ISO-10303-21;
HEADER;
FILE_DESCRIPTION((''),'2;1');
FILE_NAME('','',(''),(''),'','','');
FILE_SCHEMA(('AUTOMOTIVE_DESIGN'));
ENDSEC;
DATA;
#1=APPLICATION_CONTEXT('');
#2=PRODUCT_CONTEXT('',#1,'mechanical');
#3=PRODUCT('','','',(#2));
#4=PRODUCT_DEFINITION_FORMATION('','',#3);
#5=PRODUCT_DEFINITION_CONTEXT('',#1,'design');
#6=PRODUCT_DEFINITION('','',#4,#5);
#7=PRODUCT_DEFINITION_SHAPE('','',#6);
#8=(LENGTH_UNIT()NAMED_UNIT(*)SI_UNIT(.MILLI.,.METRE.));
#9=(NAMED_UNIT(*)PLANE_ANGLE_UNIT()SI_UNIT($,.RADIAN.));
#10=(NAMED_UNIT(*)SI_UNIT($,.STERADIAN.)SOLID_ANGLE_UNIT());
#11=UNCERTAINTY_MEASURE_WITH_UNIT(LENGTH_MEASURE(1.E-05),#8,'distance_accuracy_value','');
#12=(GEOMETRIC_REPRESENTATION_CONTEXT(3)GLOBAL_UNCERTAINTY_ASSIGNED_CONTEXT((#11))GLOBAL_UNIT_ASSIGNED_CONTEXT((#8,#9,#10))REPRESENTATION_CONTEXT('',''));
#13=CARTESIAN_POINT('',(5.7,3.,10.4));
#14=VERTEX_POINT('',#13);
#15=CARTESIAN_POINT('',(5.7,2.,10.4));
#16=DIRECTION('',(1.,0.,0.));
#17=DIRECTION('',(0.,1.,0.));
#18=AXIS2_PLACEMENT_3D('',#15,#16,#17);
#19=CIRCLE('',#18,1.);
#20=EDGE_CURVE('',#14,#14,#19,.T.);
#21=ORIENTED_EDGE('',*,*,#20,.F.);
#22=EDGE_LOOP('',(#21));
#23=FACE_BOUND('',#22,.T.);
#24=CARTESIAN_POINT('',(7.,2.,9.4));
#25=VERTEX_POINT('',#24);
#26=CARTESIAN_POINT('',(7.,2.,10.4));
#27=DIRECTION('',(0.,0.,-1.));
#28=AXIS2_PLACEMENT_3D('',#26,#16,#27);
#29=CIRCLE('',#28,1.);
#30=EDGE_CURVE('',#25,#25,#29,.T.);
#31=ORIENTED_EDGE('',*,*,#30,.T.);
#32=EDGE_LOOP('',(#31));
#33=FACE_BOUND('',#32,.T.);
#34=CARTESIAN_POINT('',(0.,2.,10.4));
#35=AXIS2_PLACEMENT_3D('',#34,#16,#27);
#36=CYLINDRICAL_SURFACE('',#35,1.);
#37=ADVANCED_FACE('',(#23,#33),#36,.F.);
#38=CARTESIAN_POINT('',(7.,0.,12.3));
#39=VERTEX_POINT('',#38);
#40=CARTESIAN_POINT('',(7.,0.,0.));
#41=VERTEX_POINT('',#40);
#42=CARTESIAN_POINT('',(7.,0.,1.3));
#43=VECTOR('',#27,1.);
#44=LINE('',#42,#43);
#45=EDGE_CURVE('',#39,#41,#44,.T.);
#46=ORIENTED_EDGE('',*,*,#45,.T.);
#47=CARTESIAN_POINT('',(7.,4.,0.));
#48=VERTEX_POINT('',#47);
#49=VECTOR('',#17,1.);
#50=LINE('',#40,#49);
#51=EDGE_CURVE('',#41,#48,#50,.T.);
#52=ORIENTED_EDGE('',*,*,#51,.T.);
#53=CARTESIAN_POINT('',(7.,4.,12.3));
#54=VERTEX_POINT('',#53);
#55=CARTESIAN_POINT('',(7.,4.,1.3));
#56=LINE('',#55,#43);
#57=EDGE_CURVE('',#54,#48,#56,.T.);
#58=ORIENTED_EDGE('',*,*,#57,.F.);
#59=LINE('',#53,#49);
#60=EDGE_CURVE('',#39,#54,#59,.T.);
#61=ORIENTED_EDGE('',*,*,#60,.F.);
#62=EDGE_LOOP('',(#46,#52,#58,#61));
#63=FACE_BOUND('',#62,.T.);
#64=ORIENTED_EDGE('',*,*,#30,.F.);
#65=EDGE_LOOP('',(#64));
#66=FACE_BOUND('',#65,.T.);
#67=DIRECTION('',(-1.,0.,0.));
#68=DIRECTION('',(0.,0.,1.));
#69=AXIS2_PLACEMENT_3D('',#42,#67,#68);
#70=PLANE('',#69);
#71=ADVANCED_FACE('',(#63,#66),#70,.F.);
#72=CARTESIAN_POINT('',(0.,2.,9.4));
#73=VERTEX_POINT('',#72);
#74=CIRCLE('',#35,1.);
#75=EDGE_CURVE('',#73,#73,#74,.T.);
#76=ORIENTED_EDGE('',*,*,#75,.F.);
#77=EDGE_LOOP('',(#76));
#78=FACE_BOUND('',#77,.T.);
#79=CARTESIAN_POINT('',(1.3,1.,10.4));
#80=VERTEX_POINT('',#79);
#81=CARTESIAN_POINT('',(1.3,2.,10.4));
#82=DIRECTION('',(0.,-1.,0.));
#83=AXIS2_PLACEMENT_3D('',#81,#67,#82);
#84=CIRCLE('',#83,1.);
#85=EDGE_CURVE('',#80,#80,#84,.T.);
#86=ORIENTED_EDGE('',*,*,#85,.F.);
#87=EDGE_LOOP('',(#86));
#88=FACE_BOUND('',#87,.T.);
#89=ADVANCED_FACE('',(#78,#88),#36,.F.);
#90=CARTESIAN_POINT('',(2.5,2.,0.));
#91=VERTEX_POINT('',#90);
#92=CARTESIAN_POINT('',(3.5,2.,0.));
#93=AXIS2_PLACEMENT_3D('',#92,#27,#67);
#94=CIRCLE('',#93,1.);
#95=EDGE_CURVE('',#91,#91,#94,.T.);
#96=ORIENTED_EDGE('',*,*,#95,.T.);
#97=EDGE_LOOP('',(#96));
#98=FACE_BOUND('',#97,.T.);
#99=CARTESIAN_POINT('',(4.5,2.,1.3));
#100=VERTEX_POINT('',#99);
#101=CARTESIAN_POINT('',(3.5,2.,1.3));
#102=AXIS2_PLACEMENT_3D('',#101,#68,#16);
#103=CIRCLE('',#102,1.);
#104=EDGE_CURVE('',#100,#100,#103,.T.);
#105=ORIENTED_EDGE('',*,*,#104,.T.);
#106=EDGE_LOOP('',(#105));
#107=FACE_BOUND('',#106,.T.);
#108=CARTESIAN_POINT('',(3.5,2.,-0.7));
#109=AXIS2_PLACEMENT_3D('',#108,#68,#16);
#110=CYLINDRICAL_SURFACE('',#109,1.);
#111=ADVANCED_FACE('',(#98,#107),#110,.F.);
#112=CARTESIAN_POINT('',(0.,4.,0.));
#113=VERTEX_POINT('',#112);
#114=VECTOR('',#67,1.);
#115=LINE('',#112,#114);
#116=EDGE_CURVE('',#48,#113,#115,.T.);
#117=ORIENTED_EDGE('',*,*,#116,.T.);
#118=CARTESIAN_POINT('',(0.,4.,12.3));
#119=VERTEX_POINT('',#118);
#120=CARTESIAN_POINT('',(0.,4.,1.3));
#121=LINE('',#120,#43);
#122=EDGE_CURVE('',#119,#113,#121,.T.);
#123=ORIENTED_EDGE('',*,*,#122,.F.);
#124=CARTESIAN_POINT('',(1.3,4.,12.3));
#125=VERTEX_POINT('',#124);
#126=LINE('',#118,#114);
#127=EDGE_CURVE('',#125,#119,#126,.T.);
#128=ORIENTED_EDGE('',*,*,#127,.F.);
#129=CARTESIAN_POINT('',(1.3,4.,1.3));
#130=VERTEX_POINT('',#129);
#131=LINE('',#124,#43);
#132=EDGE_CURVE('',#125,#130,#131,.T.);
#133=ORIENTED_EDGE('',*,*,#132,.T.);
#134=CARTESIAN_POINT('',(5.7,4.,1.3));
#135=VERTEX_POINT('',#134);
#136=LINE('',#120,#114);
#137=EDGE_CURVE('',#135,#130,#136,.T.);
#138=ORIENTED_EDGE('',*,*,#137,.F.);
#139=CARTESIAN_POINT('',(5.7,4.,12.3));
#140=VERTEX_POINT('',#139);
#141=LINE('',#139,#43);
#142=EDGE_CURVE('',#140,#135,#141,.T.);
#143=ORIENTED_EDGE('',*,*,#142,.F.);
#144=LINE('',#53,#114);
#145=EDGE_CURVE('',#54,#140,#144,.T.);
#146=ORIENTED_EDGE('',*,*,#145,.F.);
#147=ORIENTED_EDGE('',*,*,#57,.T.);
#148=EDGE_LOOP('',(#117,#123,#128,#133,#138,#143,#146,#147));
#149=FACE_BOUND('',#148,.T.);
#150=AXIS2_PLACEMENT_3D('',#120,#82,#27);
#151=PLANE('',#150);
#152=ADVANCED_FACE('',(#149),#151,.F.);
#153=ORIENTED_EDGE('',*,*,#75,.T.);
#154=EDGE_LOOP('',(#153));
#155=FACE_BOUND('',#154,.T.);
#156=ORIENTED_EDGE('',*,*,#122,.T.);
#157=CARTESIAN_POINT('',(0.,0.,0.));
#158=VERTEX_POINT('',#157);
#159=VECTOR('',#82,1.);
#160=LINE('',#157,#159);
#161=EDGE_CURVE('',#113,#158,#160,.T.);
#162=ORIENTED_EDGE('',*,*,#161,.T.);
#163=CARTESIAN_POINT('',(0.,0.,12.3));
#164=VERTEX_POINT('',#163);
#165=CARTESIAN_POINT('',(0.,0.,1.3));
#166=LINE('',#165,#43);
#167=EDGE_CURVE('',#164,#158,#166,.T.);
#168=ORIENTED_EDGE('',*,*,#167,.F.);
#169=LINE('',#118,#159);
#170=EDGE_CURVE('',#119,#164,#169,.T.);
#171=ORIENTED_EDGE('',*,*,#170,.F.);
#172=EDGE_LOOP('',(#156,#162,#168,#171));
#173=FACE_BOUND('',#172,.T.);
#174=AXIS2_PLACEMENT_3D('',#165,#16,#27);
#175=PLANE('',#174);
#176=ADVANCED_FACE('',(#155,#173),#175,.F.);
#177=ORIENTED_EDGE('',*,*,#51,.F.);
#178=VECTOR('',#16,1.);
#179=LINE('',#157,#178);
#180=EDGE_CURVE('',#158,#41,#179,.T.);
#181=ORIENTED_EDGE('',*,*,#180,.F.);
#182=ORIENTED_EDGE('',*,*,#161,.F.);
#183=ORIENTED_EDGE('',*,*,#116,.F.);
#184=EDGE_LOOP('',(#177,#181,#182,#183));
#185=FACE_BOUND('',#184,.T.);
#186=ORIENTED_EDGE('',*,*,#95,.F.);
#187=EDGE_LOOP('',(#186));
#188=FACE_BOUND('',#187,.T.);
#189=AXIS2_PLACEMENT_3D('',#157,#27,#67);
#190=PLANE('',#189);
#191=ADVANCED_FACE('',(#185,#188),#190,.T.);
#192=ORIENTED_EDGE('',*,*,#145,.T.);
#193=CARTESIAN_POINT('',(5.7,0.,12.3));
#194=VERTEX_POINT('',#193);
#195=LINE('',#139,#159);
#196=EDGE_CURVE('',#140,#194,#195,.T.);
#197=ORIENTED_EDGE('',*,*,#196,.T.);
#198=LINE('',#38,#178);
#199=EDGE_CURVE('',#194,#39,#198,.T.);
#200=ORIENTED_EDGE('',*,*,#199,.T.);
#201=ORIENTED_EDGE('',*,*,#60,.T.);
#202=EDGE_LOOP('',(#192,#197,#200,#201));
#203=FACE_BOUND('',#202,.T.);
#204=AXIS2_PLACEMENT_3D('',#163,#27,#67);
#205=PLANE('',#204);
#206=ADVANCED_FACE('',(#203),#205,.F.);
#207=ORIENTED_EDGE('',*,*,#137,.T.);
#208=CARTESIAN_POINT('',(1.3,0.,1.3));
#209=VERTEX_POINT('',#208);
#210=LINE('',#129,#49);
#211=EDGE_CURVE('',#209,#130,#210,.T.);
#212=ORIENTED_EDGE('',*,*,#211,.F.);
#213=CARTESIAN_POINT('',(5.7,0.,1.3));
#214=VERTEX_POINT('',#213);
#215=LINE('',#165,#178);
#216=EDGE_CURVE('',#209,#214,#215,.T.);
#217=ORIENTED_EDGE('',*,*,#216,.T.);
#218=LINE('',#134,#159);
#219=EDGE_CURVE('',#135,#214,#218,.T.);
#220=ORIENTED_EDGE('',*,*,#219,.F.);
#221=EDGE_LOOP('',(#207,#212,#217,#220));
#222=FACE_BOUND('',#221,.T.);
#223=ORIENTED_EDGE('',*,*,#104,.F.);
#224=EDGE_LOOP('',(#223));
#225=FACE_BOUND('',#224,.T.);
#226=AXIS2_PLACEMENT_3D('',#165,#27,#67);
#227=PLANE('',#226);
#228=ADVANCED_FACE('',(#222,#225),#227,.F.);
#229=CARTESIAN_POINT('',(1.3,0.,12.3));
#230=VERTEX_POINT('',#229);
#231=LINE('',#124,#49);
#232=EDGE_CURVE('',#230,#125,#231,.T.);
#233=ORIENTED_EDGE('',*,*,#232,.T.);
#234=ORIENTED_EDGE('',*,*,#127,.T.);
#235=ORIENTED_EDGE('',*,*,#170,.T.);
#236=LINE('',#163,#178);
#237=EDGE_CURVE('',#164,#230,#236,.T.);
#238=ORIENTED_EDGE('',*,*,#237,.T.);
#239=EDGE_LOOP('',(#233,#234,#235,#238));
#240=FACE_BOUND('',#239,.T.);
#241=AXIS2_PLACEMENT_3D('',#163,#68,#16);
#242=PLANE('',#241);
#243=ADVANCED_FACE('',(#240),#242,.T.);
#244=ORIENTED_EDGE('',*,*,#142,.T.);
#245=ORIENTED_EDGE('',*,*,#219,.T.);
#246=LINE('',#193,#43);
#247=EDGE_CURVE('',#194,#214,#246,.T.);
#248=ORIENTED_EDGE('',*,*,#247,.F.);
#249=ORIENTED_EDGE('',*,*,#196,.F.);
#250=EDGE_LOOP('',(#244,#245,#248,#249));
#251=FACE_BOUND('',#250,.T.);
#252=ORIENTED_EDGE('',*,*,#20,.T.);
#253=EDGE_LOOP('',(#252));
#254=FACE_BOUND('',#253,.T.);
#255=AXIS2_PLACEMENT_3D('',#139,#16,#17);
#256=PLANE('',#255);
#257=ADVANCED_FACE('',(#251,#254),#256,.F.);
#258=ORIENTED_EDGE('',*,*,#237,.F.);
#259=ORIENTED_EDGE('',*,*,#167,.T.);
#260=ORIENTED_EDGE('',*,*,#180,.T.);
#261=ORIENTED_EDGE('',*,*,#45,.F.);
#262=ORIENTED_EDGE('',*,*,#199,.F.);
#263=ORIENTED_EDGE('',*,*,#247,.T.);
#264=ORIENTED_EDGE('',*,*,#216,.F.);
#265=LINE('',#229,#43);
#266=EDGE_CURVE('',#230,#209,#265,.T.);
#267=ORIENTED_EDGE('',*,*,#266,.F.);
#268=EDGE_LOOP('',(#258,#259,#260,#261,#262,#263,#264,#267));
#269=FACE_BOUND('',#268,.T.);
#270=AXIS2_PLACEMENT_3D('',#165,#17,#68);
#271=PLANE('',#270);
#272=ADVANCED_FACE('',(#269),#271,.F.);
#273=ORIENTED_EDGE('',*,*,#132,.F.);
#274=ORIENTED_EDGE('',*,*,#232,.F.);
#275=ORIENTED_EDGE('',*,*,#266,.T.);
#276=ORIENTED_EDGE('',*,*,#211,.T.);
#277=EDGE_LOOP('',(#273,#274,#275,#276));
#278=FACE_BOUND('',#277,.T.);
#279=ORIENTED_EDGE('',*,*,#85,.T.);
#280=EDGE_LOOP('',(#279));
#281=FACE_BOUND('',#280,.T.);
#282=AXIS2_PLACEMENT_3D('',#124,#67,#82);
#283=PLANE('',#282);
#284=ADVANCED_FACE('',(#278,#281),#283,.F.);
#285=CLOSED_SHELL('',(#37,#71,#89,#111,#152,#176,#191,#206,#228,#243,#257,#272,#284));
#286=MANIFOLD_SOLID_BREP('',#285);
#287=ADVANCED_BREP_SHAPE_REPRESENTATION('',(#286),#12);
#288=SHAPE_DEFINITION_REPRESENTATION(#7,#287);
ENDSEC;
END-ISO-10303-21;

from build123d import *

# Parameters (mm, degrees)
SKETCH_1_W          = 7
SKETCH_1_H          = 4
EXTRUDE_1_DEPTH     = 1.3
SKETCH_2_W          = 1.3
SKETCH_2_H          = 4
EXTRUDE_2_DEPTH     = 11
SKETCH_3_R          = 1
CUT_EXTRUDE_1_DEPTH = 2
SKETCH_4_R          = 1
CUT_EXTRUDE_2_DEPTH = 7


with BuildPart() as part:
    # 草图1 → 凸台-拉伸1 (new body)
    with BuildSketch(Plane.XY):
        with Locations((3.5, 2)):
            Rectangle(SKETCH_1_W, SKETCH_1_H)
    extrude(amount=EXTRUDE_1_DEPTH)

    # 草图2 → 凸台-拉伸2 (add)
    with BuildSketch(Plane.XY.offset(1.3)):
        with Locations((0.65, 2)):
            Rectangle(SKETCH_2_W, SKETCH_2_H)
        with Locations((6.35, 2)):
            Rectangle(SKETCH_2_W, SKETCH_2_H)
    extrude(amount=EXTRUDE_2_DEPTH)

    # 草图3 → 切除-拉伸1 (cut)
    with BuildSketch(Plane.XY.offset(1.3)):
        with Locations((3.5, 2)):
            Circle(SKETCH_3_R)
    extrude(amount=-CUT_EXTRUDE_1_DEPTH, mode=Mode.SUBTRACT)

    # 草图4 → 切除-拉伸2 (cut)
    with BuildSketch(Plane(origin=(7, 0, 0), x_dir=(0, 0, -1), z_dir=(1, 0, 0))):
        with Locations((-10.4, 2)):
            Circle(SKETCH_4_R)
    extrude(amount=-CUT_EXTRUDE_2_DEPTH, mode=Mode.SUBTRACT)


solid = part.part
